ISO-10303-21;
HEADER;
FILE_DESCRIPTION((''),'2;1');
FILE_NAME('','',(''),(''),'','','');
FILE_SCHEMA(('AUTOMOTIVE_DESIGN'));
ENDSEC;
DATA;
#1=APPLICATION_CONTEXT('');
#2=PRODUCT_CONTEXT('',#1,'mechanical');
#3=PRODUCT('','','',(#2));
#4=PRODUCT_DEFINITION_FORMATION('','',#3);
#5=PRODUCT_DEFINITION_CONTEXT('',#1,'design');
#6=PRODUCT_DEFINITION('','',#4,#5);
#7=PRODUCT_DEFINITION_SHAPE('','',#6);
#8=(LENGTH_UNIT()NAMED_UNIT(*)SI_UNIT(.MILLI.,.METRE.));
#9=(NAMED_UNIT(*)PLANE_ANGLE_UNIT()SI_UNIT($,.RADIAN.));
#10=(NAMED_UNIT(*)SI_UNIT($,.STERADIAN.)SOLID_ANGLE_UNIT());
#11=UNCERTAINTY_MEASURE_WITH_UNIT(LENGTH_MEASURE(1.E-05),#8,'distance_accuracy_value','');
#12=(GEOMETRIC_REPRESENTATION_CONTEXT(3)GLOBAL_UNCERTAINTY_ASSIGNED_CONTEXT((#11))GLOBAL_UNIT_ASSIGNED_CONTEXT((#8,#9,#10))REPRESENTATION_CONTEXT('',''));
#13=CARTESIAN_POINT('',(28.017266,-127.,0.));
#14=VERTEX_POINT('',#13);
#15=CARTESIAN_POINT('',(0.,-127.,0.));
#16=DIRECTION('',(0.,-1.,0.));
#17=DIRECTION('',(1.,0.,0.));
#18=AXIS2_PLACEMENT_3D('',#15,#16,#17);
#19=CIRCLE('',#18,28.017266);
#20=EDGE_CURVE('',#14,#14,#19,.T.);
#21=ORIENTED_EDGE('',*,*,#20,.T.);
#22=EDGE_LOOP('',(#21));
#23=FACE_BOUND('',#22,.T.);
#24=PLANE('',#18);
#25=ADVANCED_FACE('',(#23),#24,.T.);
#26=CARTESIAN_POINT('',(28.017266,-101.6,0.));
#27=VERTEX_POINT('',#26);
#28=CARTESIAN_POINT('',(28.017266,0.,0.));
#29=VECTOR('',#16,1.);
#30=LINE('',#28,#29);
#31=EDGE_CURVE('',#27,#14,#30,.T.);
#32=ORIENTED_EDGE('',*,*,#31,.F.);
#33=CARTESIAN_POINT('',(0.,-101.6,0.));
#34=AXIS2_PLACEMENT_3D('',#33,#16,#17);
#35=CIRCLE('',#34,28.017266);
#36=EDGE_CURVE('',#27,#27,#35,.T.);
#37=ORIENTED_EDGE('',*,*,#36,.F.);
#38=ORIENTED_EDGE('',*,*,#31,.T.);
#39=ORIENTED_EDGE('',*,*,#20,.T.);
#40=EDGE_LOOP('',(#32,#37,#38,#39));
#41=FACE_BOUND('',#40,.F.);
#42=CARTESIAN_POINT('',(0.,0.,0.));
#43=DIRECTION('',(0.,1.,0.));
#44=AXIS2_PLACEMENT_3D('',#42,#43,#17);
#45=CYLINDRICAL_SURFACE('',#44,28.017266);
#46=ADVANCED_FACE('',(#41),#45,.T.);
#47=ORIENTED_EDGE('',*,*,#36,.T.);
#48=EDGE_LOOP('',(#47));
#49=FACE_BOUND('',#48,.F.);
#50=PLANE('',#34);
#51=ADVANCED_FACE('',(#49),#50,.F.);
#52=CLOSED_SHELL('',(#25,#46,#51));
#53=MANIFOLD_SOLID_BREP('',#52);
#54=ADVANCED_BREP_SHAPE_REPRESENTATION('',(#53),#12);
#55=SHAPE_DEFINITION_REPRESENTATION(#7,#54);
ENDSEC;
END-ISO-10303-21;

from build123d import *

# Parameters (mm, degrees)
F0_R      = 28.017266
F1_DEPTH  = 127
F1_FACE_R = 28.017266
F2_DEPTH  = 25.4


with BuildPart() as f1:
    # F0 (on Front) → F1 (new body)
    with BuildSketch(Plane.XZ):
        Circle(F0_R)
    extrude(amount=F1_DEPTH)

    # F1_face (on face) → F2 (intersect)
    with BuildSketch(Plane.XZ.offset(127)):
        Circle(F1_FACE_R)
    extrude(amount=-F2_DEPTH, mode=Mode.INTERSECT)


solid = f1.part
